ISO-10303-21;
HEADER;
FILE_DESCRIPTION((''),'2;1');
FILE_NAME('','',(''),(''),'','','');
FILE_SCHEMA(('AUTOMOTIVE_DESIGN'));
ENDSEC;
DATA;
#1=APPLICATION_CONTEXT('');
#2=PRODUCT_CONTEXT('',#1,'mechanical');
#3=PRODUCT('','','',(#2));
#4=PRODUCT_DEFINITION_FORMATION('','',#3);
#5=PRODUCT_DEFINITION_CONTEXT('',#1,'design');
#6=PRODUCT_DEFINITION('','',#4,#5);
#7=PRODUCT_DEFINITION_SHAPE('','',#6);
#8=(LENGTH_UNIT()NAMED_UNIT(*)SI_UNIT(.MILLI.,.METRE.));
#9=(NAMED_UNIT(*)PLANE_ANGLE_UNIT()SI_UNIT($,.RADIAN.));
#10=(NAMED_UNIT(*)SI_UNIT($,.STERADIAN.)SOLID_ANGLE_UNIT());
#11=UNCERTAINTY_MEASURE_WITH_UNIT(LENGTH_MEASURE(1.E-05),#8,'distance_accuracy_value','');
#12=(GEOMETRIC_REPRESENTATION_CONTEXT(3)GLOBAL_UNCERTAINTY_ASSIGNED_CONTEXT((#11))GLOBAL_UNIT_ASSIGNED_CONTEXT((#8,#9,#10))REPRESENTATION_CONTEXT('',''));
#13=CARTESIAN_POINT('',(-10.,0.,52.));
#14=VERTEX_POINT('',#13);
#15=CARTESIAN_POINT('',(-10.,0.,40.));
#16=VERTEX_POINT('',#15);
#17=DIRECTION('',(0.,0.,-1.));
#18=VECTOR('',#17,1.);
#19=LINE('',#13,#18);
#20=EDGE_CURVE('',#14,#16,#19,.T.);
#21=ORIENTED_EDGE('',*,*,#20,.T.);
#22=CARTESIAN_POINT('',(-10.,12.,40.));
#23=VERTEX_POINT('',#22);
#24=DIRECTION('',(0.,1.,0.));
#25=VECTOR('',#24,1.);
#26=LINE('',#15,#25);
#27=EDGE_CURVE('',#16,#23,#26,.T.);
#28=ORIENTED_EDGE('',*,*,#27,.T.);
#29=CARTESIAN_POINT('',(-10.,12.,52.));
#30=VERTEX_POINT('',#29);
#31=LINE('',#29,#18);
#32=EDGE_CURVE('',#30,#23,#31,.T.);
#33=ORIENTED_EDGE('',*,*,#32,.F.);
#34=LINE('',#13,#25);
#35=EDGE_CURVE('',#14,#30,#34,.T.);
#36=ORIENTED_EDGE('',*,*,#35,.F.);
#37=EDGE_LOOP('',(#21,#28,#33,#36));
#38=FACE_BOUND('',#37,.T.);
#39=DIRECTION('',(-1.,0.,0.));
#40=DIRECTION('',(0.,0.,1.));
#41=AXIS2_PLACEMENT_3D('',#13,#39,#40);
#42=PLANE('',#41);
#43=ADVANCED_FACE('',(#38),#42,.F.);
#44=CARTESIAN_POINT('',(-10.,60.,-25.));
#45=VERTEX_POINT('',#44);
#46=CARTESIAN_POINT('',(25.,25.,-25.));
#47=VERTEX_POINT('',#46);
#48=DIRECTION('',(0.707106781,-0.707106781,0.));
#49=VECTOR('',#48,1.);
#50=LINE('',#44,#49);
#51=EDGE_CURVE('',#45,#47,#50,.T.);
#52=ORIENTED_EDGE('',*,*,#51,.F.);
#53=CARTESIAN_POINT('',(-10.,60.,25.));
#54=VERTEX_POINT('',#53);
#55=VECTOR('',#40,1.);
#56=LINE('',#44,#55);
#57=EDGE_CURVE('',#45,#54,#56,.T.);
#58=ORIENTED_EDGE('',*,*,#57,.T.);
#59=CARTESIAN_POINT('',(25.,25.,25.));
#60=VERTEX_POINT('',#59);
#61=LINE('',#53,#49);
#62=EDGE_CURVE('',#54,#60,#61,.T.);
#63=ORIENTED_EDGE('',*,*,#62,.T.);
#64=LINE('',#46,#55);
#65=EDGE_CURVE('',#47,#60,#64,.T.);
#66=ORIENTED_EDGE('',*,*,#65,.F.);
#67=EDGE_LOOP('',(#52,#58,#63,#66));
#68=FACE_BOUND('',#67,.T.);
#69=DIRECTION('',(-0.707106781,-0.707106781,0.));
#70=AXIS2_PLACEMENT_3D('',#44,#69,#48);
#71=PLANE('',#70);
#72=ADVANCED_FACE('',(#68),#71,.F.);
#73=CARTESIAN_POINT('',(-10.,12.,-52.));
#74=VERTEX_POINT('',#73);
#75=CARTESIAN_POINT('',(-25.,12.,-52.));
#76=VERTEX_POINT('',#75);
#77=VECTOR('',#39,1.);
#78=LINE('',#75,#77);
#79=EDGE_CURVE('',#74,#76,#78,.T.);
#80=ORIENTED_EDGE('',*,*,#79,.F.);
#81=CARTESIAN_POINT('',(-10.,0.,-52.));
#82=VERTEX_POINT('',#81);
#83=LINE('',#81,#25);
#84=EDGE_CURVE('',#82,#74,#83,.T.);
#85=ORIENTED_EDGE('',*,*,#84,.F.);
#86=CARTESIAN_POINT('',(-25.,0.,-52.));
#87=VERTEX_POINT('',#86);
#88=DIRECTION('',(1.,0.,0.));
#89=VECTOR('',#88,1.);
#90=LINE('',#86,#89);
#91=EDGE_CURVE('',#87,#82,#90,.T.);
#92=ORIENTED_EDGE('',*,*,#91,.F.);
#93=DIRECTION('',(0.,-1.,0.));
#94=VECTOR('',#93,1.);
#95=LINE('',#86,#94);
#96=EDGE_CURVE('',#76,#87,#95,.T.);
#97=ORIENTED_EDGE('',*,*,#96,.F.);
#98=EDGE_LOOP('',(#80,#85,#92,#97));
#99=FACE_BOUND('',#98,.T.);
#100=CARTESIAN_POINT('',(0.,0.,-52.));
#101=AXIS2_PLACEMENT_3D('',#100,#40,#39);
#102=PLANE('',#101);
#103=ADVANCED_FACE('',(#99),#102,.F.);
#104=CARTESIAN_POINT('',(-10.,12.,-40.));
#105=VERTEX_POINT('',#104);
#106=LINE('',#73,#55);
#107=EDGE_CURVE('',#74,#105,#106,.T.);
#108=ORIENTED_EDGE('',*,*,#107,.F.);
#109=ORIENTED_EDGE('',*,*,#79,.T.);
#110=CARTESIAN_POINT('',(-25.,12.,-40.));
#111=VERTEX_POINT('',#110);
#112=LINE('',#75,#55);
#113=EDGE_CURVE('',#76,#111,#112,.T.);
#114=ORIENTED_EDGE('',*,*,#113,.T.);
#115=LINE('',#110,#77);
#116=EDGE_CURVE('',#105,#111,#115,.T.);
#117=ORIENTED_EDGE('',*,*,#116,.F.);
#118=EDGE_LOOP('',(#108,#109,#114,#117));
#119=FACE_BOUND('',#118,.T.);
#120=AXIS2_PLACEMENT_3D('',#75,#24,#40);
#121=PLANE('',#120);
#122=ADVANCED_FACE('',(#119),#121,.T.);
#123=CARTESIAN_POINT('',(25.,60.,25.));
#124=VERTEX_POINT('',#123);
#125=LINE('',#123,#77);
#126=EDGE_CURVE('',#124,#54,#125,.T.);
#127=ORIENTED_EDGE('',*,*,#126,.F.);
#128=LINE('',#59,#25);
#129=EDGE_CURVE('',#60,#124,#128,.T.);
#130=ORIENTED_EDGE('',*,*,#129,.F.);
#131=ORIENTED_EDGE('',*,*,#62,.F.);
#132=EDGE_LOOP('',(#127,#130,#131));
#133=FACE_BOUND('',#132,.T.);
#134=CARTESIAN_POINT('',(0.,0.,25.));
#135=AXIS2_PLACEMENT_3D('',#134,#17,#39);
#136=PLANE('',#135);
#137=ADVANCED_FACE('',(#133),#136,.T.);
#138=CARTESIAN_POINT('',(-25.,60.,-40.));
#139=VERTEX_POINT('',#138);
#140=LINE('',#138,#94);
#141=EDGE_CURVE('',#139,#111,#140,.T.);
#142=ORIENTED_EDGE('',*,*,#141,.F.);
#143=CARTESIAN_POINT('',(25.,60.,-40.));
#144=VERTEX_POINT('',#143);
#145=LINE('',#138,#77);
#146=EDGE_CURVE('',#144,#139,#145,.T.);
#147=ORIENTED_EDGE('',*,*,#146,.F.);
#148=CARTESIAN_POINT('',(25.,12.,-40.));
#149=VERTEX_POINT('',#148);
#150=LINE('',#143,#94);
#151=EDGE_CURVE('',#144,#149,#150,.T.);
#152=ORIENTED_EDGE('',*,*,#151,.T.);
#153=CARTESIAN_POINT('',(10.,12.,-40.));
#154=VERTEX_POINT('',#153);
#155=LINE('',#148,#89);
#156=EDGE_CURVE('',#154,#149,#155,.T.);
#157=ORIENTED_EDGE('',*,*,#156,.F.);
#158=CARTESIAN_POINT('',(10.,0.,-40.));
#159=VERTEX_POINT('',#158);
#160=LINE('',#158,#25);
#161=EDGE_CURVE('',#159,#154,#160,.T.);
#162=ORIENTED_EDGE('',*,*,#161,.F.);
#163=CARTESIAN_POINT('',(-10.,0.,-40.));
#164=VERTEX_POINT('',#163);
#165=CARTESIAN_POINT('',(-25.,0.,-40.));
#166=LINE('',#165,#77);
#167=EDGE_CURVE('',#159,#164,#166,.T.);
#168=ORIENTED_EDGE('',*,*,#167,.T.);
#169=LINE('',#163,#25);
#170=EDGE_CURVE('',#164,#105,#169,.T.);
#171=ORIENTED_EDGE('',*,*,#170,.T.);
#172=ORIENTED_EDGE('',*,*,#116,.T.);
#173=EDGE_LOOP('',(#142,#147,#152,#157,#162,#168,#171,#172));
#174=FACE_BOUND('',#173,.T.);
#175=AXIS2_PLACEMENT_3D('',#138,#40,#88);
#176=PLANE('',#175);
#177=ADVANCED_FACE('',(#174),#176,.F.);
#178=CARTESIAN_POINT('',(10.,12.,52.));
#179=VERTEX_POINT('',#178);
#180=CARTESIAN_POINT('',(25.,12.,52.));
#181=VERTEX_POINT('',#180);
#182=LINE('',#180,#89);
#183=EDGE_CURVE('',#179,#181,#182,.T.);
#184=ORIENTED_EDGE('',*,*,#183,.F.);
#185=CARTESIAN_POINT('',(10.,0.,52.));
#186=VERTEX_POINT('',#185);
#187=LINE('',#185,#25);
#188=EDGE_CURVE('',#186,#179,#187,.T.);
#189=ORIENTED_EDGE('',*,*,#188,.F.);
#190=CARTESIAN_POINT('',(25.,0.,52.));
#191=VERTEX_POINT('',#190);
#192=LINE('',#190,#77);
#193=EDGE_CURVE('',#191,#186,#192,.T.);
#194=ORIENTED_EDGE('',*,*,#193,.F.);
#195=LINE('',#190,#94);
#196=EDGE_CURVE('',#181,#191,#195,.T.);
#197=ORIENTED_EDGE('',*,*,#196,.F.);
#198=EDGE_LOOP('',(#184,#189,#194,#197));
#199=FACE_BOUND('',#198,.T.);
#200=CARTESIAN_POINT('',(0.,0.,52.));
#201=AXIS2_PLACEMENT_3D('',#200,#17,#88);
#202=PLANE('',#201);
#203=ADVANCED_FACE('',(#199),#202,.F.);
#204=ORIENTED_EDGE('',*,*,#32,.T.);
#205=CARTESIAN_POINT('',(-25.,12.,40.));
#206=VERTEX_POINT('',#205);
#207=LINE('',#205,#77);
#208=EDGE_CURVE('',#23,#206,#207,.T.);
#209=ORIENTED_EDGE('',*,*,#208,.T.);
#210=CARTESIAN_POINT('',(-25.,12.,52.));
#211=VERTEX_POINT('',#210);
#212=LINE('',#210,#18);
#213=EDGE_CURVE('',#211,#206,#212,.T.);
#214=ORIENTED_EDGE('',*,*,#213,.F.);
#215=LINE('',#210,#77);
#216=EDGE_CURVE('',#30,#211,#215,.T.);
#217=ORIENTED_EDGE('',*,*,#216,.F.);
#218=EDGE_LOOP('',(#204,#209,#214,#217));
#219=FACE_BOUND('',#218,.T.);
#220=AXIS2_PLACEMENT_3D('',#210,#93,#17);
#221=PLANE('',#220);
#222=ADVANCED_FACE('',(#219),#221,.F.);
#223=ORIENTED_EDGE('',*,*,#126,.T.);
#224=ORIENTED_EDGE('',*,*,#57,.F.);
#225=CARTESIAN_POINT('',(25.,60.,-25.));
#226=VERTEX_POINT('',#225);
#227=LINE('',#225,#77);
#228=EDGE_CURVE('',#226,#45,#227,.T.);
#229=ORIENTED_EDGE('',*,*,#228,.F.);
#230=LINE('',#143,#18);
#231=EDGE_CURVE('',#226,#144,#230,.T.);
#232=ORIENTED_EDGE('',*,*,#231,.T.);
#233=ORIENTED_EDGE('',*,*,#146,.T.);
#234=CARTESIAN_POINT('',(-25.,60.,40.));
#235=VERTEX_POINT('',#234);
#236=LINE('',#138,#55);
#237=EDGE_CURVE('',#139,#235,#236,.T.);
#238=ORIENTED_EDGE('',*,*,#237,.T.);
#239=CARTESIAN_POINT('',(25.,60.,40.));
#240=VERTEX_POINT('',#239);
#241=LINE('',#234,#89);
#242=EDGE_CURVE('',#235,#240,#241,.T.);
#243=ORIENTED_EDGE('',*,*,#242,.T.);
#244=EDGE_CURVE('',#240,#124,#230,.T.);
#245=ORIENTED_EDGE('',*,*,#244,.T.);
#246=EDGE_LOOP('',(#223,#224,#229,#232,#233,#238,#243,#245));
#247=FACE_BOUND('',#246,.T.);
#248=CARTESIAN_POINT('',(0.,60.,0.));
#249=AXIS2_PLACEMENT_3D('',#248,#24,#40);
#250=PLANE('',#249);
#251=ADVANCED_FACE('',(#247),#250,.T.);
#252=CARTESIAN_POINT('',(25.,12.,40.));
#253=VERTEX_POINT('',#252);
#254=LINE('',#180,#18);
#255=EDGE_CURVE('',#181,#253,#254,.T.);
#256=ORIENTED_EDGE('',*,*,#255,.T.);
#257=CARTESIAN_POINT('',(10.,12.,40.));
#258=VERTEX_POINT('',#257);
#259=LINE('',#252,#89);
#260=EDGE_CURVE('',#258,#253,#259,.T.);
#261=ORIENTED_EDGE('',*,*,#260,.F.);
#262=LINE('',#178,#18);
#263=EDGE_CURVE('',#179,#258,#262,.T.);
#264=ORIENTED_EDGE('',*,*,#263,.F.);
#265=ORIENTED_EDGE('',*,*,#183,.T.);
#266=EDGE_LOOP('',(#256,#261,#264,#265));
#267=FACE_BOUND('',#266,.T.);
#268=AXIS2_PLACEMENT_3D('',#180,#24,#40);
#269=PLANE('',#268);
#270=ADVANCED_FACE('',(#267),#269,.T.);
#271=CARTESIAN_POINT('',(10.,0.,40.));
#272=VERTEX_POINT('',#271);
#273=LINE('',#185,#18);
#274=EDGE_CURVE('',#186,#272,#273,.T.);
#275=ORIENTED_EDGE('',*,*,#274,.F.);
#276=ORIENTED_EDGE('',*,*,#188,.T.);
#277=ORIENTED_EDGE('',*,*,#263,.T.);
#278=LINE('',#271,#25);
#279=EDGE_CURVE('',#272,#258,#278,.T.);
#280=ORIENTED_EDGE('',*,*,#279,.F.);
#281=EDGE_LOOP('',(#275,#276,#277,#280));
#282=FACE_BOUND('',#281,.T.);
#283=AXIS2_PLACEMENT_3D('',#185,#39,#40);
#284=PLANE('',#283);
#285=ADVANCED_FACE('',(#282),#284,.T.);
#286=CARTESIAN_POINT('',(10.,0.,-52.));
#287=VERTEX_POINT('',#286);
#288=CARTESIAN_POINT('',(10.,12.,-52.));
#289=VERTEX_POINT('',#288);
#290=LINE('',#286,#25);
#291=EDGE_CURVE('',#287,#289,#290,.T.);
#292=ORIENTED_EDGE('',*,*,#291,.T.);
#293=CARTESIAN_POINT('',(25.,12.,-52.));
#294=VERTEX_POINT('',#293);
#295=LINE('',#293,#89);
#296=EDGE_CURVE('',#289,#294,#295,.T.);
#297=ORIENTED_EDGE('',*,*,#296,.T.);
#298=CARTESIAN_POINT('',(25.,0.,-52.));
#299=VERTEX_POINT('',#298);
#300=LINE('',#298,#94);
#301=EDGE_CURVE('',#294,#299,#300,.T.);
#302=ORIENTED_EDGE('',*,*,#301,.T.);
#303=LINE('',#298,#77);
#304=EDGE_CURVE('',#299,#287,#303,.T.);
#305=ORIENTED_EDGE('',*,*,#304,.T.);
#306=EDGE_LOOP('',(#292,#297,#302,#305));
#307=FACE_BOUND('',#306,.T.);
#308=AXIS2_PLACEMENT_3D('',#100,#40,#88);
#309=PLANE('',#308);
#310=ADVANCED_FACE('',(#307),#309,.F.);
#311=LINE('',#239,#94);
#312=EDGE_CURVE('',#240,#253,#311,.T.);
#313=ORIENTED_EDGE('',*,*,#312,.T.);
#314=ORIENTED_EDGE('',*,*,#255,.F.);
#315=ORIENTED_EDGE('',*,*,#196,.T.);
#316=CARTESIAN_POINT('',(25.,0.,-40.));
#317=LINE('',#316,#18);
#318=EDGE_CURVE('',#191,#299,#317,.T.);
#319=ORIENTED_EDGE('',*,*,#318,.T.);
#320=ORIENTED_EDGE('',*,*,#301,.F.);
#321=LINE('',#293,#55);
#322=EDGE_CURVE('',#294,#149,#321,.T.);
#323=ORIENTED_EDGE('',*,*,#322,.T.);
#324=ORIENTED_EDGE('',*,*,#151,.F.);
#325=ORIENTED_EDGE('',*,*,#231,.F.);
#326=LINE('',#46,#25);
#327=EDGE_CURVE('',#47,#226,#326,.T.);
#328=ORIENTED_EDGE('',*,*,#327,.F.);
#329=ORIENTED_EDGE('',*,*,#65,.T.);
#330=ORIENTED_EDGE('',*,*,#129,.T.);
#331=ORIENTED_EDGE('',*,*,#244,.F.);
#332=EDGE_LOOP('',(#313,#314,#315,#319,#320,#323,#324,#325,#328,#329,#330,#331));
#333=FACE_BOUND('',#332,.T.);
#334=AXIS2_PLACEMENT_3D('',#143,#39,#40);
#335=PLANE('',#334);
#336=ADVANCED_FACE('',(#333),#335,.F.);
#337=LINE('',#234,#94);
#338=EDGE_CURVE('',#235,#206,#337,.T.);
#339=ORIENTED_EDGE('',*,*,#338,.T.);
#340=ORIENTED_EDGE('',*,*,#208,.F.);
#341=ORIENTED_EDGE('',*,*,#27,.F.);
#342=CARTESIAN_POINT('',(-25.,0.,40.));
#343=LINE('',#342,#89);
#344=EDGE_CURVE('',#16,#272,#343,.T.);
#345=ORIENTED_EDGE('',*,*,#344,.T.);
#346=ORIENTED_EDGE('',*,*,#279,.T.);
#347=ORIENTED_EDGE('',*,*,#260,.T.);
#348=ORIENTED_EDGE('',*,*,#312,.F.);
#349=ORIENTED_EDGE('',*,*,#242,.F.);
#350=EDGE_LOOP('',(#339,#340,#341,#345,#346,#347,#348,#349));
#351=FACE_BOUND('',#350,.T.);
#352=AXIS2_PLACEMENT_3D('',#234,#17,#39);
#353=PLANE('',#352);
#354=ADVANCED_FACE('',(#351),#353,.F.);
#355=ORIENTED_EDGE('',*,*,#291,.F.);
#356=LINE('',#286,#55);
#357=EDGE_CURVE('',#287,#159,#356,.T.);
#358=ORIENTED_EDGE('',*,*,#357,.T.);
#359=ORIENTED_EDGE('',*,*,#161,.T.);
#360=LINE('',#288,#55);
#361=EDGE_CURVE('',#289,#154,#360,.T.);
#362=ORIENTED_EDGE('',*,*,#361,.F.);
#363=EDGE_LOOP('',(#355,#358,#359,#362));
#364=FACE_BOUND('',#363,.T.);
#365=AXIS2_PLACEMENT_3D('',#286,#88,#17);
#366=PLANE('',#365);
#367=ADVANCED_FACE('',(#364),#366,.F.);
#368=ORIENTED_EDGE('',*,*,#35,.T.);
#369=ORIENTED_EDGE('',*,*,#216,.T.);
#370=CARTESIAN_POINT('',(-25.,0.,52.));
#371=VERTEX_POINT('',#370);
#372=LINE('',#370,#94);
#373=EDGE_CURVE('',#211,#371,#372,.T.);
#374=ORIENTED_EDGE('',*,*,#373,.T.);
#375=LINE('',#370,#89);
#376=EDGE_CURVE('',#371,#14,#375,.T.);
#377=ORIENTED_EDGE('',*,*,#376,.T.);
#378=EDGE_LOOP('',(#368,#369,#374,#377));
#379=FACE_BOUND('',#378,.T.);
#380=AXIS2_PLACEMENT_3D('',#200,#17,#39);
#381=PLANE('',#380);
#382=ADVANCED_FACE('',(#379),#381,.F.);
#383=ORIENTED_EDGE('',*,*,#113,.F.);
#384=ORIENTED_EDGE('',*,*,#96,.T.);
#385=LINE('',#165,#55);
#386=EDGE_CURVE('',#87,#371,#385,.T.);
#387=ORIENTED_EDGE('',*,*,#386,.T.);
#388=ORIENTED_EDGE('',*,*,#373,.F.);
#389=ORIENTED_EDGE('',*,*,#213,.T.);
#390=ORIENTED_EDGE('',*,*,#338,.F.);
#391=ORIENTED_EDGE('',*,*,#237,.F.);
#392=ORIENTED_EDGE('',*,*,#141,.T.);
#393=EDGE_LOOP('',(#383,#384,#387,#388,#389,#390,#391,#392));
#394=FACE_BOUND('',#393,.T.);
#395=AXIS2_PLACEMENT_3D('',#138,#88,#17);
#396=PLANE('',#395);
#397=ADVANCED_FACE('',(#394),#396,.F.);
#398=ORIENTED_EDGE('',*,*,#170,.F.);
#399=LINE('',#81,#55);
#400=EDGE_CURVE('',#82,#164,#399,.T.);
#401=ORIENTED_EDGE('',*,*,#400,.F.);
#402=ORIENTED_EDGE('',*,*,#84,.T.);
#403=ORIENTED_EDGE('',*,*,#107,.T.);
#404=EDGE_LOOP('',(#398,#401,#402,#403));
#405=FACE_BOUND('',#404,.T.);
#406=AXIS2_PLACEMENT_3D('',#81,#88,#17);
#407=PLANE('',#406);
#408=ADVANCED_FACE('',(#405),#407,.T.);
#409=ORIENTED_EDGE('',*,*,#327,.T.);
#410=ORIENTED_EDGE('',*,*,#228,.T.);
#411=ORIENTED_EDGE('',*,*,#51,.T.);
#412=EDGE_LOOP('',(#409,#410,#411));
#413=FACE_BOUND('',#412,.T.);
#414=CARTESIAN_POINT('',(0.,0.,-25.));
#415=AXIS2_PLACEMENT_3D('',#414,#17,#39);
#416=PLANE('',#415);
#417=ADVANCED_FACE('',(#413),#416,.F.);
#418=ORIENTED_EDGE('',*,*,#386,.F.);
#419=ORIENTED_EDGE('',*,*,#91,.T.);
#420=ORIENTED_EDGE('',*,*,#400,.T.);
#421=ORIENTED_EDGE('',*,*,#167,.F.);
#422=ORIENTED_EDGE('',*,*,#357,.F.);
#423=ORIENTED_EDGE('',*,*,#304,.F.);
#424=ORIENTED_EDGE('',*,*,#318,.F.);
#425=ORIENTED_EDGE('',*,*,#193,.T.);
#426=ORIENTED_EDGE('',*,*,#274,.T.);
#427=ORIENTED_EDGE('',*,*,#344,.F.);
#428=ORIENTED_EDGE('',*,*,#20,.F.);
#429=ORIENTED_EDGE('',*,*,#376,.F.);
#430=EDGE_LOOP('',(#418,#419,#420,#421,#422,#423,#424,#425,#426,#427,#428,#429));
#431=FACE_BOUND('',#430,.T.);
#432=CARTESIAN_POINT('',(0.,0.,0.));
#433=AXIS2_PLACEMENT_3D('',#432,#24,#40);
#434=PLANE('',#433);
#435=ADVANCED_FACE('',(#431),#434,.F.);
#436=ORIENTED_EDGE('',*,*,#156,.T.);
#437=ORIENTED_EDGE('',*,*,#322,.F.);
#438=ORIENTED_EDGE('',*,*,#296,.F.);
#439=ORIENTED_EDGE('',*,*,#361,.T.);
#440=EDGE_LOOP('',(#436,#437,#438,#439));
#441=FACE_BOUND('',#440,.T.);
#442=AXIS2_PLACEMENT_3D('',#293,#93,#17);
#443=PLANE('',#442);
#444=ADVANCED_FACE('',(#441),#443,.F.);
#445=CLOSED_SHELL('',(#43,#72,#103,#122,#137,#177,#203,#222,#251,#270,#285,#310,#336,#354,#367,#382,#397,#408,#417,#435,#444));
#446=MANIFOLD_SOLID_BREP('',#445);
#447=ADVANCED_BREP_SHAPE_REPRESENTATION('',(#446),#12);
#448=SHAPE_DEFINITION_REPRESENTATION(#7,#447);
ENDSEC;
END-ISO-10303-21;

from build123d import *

# Parameters (mm, degrees)
IZIM1_W                     = 50
IZIM1_H                     = 80
Y_KSEKLIK_EKSTR_ZYON2_DEPTH = 60
IZIM2_W                     = 15
IZIM2_H                     = 12
Y_KSEKLIK_EKSTR_ZYON3_DEPTH = 12
AYNALAMA2_COPY_1_SKETCH_W   = 15
AYNALAMA2_COPY_1_SKETCH_H   = 12
AYNALAMA2_COPY_1_DEPTH      = 12
KES_EKSTR_ZYON1_DEPTH       = 50


with BuildPart() as part:
    # Çizim1 → Yükseklik-Ekstrüzyon2 (new body)
    with BuildSketch(Plane(origin=(0, 0, 0), x_dir=(1, 0, 0), z_dir=(0, 1, 0))):
        Rectangle(IZIM1_W, IZIM1_H)
    extrude(amount=Y_KSEKLIK_EKSTR_ZYON2_DEPTH)

    # Çizim2 → Yükseklik-Ekstrüzyon3 (add)
    with BuildSketch(Plane.XY.offset(40)):
        with Locations((-17.5, 6)):
            Rectangle(IZIM2_W, IZIM2_H)
    y_kseklik_ekstr_zyon3 = extrude(amount=Y_KSEKLIK_EKSTR_ZYON3_DEPTH)

    # Aynalama1: Yükseklik-Ekstrüzyon3 across plane
    add(y_kseklik_ekstr_zyon3.mirror(Plane(origin=(0, 0, 0), x_dir=(0, 0, 1), z_dir=(1, 0, 0))))

    # Aynalama2: Yükseklik-Ekstrüzyon3 across plane
    add(y_kseklik_ekstr_zyon3.mirror(Plane.XY))

    # Aynalama2 copy 1 sketch → Aynalama2 copy 1 (add)
    with BuildSketch(Plane(origin=(0, 0, -40), x_dir=(-1, 0, 0), z_dir=(0, 0, -1))):
        with Locations((-17.5, 6)):
            Rectangle(AYNALAMA2_COPY_1_SKETCH_W, AYNALAMA2_COPY_1_SKETCH_H)
    extrude(amount=AYNALAMA2_COPY_1_DEPTH)

    # Çizim3 → Kes-Ekstrüzyon1 (cut)
    with BuildSketch(Plane.XY.offset(25)):
        Polygon((-10, 60), (25, 25), (25, 60), align=None)
    extrude(amount=-KES_EKSTR_ZYON1_DEPTH, mode=Mode.SUBTRACT)


solid = part.part
